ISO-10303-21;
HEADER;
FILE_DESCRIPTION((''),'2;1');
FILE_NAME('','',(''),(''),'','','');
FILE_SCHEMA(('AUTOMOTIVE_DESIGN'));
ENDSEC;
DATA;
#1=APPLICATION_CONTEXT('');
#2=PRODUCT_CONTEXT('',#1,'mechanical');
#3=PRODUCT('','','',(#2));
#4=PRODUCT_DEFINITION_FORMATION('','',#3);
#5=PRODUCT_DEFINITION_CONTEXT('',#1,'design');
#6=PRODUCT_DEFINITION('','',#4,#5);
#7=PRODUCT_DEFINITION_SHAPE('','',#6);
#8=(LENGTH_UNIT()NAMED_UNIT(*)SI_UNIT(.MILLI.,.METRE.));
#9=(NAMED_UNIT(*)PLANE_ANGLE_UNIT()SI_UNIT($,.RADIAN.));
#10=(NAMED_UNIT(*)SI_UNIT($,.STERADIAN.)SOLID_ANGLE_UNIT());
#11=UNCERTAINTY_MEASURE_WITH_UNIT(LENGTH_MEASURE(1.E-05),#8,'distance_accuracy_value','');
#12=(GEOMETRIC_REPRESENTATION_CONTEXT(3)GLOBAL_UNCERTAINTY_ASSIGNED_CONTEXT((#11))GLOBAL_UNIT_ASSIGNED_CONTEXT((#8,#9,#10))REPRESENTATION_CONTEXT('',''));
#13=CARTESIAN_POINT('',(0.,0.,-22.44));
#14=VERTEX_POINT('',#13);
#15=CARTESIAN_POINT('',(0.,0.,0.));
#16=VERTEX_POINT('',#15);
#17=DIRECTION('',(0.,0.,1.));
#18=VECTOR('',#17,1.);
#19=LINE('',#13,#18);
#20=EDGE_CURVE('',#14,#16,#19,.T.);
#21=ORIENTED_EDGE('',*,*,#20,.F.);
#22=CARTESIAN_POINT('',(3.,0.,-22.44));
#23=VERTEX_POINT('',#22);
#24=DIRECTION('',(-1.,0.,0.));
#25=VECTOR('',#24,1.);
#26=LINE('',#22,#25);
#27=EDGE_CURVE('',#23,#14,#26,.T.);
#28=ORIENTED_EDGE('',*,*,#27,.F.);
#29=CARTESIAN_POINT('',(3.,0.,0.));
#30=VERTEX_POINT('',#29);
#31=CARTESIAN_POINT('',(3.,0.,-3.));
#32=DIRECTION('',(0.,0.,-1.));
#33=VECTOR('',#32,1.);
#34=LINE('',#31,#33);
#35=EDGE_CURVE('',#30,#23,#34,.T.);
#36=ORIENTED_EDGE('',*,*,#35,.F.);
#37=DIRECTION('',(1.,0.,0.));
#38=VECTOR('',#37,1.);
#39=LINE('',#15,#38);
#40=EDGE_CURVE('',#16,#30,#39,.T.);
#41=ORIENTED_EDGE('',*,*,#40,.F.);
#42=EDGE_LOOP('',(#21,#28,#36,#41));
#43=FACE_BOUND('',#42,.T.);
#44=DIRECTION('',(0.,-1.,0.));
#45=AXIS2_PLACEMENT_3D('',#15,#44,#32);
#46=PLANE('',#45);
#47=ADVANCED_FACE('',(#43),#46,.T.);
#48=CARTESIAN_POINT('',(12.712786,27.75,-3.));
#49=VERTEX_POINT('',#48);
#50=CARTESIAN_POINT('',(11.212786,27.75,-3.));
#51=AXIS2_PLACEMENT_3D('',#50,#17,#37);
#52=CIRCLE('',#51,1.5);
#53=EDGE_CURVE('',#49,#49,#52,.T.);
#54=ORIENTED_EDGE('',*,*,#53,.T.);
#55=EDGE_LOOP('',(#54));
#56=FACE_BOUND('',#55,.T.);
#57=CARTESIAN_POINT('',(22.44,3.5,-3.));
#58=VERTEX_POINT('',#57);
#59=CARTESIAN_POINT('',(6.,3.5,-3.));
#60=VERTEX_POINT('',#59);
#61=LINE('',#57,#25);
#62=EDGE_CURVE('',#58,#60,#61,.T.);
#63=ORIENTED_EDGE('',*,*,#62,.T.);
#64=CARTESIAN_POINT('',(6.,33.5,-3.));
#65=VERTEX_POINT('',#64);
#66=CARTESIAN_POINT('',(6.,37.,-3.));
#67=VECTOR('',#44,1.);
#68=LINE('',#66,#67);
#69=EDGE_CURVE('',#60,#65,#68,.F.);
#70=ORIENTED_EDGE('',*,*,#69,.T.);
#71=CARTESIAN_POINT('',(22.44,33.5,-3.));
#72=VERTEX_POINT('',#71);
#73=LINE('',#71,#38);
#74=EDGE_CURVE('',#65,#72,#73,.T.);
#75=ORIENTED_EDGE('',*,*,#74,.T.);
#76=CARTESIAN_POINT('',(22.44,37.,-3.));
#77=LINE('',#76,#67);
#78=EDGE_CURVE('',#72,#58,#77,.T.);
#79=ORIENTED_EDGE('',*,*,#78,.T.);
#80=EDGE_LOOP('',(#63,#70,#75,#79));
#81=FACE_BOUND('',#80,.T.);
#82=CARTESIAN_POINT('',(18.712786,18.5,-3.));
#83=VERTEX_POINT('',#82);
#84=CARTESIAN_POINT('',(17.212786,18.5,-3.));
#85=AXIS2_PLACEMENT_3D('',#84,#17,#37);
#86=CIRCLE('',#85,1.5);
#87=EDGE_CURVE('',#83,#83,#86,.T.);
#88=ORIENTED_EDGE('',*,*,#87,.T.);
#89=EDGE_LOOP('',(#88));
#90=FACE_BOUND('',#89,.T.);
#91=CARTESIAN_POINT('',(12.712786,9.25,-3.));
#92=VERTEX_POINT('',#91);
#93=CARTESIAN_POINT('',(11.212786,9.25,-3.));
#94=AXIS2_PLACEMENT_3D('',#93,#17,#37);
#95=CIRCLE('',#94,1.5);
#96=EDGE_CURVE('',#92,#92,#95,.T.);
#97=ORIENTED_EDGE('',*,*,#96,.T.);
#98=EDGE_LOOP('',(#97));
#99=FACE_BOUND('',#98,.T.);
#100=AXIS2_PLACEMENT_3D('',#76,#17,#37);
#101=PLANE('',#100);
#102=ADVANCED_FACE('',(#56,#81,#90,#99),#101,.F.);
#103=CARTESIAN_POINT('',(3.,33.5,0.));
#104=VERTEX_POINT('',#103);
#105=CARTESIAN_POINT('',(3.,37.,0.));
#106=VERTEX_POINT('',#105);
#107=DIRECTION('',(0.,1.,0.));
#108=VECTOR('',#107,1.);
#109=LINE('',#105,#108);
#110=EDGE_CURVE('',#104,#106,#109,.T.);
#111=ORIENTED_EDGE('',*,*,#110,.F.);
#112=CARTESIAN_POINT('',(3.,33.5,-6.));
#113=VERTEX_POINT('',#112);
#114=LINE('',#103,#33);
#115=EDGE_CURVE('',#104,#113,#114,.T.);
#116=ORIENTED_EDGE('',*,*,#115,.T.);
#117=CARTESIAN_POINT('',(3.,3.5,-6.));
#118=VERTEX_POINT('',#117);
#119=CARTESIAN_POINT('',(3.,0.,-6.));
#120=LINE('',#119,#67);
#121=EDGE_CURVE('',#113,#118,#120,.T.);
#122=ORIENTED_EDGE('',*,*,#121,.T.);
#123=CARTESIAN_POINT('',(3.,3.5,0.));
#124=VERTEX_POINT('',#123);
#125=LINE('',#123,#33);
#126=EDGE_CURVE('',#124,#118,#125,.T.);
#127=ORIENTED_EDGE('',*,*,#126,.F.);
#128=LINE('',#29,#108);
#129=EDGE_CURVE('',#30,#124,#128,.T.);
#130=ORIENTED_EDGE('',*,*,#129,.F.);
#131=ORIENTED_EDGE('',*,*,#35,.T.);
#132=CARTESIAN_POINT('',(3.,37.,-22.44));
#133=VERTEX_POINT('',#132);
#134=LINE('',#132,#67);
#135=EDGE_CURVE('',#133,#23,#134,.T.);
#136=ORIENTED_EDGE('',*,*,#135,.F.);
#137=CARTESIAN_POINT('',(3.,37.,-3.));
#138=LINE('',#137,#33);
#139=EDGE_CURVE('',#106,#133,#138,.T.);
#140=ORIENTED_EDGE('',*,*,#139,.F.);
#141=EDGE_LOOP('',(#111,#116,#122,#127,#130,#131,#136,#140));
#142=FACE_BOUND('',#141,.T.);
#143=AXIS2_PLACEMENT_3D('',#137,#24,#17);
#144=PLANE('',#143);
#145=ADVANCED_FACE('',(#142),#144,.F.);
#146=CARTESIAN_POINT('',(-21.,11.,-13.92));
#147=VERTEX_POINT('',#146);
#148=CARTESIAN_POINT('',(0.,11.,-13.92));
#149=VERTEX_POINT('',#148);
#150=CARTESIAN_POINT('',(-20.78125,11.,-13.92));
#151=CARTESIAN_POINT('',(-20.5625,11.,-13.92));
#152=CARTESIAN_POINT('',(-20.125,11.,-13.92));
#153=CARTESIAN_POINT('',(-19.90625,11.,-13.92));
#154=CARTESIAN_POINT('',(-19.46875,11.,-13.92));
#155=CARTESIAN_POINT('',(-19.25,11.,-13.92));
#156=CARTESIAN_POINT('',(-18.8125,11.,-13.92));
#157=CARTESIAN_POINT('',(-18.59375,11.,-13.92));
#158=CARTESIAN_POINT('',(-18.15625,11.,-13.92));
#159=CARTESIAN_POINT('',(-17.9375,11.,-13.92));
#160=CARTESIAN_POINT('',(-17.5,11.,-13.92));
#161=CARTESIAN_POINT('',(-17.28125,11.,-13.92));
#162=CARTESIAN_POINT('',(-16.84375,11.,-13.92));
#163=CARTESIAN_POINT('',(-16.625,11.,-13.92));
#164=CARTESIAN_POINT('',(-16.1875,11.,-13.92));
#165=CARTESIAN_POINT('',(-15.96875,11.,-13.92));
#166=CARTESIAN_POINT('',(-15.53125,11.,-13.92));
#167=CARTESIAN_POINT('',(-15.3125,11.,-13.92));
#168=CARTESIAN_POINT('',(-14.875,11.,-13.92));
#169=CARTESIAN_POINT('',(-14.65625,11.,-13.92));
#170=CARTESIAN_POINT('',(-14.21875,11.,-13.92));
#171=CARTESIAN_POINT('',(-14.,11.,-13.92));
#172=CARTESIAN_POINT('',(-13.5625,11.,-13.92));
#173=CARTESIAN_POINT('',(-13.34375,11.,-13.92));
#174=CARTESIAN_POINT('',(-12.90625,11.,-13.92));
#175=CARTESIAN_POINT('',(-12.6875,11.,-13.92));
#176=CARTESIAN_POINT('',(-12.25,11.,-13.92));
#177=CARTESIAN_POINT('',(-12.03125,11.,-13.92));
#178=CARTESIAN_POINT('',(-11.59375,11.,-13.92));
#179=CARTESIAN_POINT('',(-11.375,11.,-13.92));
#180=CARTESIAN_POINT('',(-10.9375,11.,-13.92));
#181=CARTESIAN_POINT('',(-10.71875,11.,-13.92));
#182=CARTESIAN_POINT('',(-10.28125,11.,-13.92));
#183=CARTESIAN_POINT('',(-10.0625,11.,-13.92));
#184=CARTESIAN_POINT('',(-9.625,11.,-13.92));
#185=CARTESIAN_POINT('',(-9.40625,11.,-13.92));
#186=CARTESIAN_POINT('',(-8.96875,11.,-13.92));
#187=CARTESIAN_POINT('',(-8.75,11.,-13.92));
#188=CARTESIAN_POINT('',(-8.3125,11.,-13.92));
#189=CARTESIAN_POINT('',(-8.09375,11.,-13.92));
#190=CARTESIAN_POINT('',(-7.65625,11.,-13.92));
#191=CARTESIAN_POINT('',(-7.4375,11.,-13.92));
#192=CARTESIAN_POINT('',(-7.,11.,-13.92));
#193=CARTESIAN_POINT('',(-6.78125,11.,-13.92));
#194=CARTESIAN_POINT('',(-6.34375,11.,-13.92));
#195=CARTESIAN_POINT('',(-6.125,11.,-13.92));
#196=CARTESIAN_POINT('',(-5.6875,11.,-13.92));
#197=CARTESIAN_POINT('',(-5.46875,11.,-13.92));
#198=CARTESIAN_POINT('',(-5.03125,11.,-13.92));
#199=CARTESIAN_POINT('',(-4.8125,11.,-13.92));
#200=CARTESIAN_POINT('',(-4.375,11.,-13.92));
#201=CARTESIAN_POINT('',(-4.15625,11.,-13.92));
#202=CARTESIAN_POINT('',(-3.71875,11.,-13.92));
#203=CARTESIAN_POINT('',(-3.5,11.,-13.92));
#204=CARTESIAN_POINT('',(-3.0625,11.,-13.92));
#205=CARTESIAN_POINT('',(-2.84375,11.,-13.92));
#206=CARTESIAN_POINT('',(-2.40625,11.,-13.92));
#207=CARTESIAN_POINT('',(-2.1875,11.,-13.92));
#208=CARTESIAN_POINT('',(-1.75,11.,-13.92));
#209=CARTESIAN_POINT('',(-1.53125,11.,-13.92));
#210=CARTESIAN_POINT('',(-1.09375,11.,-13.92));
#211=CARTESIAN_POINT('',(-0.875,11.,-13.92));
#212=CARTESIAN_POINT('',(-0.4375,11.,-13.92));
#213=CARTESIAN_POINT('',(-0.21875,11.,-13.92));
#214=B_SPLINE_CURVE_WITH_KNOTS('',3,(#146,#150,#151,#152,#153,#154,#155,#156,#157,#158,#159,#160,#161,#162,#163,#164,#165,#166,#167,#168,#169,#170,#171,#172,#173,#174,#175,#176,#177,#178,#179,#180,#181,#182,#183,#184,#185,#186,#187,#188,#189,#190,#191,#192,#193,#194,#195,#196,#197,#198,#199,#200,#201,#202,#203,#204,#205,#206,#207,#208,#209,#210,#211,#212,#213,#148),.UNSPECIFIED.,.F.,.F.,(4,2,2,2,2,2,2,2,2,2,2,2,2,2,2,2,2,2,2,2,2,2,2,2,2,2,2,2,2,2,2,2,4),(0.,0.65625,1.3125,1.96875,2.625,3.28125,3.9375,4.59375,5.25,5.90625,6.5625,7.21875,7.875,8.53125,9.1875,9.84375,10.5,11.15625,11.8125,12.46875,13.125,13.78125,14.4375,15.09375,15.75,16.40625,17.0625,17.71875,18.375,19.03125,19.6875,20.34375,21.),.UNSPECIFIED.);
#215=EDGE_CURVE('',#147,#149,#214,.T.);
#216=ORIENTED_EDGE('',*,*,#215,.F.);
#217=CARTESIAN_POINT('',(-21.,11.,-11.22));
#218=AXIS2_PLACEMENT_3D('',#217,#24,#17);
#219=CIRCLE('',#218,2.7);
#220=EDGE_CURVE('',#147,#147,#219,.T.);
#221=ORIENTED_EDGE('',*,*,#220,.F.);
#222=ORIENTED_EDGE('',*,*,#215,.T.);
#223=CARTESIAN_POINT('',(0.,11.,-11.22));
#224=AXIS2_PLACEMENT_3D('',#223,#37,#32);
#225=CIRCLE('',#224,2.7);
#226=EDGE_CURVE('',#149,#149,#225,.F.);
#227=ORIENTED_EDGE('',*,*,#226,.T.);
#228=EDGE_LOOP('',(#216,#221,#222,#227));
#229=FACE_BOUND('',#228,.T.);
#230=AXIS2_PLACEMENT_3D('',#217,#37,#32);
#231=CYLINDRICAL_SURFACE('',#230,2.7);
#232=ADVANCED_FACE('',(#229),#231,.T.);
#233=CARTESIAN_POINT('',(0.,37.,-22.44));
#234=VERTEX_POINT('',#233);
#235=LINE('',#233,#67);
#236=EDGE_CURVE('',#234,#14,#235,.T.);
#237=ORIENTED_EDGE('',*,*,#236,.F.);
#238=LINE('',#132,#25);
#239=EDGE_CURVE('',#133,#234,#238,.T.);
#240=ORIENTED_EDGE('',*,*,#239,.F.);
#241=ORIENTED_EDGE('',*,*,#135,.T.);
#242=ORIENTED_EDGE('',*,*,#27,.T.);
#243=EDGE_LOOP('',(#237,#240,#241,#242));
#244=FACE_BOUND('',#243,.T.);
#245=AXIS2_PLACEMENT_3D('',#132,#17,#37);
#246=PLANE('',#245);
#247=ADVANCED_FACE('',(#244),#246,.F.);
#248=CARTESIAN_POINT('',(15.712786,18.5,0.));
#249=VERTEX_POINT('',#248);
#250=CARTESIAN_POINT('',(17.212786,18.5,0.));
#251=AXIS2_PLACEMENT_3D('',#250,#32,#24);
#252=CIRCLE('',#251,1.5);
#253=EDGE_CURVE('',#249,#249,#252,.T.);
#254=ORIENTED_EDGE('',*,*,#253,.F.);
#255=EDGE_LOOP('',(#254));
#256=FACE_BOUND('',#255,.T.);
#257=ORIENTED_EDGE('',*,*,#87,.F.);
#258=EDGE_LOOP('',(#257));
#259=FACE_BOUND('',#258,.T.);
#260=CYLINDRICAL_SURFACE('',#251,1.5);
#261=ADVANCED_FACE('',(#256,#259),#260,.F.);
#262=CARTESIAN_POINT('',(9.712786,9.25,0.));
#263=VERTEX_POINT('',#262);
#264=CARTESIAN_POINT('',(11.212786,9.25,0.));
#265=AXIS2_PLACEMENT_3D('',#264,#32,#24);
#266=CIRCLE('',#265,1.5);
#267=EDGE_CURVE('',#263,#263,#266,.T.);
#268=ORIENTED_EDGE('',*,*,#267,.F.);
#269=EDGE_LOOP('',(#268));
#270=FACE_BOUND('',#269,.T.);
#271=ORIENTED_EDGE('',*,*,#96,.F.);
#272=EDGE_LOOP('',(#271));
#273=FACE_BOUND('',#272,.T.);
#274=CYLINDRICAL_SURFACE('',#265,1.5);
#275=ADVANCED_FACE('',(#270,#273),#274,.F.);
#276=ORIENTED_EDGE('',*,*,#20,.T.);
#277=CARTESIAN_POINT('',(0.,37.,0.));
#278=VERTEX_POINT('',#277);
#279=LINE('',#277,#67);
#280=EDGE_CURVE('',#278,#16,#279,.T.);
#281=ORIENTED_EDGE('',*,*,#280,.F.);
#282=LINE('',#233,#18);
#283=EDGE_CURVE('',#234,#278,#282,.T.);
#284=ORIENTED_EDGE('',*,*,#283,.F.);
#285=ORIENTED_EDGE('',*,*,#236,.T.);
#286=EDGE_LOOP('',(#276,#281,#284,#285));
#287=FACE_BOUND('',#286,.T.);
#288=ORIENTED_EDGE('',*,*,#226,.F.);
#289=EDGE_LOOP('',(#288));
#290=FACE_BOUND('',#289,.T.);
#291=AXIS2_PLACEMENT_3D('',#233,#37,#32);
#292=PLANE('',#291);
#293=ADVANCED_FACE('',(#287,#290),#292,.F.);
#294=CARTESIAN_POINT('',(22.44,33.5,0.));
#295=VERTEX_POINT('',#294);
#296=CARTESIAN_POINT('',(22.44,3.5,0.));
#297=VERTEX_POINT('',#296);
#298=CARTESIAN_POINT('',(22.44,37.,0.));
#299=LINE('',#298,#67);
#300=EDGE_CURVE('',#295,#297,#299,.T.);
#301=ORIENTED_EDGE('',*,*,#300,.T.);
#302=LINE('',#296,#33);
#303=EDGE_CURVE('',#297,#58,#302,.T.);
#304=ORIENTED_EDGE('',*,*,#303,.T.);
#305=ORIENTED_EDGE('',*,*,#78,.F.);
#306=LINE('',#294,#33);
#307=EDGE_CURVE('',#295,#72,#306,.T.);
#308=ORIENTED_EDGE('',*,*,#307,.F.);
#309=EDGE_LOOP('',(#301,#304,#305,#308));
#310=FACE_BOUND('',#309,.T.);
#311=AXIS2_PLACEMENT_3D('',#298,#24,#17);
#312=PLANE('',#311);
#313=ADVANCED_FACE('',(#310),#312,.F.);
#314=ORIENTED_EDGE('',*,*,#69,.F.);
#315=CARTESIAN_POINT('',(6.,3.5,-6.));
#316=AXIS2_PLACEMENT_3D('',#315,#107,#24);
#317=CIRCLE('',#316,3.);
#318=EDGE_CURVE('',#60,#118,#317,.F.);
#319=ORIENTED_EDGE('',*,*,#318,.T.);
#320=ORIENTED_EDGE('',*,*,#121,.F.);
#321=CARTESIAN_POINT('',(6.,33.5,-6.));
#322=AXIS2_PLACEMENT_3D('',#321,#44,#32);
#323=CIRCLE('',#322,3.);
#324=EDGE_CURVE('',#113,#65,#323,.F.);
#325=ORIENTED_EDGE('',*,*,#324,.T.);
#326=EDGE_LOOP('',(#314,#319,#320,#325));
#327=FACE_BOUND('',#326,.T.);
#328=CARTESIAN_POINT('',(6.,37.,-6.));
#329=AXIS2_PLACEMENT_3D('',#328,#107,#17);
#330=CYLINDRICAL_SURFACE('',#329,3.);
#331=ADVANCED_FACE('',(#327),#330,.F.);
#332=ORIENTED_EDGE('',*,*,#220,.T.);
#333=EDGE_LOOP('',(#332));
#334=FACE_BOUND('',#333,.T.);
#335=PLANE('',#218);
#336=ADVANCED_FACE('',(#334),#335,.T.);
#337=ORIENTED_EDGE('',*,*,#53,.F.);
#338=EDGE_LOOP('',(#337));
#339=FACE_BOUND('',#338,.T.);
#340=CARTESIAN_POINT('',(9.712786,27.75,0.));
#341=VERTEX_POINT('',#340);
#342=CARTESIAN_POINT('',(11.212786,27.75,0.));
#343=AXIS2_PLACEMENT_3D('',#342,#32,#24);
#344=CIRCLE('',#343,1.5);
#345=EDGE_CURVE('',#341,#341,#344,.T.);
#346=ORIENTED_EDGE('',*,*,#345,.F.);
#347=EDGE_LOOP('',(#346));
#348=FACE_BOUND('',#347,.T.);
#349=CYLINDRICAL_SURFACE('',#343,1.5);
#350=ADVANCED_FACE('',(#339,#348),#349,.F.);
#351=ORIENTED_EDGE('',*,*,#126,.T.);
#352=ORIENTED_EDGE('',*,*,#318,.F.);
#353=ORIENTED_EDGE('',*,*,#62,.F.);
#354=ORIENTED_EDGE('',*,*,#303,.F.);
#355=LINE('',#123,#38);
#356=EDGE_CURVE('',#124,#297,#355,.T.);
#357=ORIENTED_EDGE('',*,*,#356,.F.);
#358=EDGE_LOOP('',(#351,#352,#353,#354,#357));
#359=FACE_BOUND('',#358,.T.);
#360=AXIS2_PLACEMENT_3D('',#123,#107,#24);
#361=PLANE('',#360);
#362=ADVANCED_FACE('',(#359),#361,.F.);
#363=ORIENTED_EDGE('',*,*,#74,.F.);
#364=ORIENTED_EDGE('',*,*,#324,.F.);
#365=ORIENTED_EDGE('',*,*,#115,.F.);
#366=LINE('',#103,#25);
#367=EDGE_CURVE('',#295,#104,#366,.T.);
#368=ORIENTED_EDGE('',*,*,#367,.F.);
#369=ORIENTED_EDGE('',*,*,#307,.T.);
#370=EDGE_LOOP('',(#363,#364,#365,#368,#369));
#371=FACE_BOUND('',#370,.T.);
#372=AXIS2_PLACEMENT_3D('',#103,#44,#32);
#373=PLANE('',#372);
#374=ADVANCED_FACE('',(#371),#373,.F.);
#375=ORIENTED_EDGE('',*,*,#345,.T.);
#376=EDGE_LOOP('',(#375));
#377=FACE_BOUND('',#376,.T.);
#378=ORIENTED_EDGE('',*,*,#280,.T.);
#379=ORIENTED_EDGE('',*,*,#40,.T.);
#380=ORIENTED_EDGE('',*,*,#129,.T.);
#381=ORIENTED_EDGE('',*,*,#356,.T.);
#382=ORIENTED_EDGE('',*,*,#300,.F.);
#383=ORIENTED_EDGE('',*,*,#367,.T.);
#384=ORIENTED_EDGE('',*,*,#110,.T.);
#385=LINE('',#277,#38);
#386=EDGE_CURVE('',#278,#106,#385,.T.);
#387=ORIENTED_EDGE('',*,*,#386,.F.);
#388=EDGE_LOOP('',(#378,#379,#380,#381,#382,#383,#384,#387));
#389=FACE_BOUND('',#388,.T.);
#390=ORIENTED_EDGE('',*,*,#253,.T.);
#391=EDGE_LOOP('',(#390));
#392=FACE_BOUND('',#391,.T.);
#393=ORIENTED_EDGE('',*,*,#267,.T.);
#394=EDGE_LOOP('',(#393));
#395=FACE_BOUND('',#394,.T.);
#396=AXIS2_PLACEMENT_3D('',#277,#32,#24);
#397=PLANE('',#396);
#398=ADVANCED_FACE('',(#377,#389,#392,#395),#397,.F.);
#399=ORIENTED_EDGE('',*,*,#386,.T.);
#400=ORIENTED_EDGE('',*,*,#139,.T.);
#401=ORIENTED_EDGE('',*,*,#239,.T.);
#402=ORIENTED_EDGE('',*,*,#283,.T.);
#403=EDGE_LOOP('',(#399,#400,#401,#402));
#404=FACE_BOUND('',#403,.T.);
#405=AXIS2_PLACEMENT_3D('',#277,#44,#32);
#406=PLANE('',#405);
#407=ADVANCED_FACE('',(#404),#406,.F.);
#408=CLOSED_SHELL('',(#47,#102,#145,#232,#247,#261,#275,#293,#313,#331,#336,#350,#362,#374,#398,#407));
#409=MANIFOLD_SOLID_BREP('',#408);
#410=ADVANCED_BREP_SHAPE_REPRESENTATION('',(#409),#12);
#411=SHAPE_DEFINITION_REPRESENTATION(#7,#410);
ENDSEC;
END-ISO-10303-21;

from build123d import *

# Parameters (mm, degrees)
BOSS_EXTRUDE1_DEPTH = 37
FILLET1_R           = 3
SKETCH2_R           = 1.5
SKETCH2_W           = 19.44
SKETCH2_H           = 3.5
CUT_EXTRUDE1_DEPTH  = 49.745330033
SKETCH3_R           = 2.7
BOSS_EXTRUDE2_DEPTH = 21


with BuildPart() as part:
    # Sketch1 → Boss-Extrude1 (new body)
    with BuildSketch(Plane(origin=(0, 0, 0), x_dir=(1, 0, 0), z_dir=(0, 1, 0))):
        Polygon((0, 0), (22.44, 0), (22.44, 3), (3, 3), (3, 22.44), (0, 22.44), align=None)
    extrude(amount=BOSS_EXTRUDE1_DEPTH)

    # Fillet1
    fillet1_edges = [part.edges().sort_by_distance(p)[0] for p in [
        (3, 18.5, -3),
    ]]
    fillet(fillet1_edges, radius=FILLET1_R)

    # Sketch2 → Cut-Extrude1 (cut, through all)
    with BuildSketch(Plane(origin=(0, 0, -22.44), x_dir=(-1, 0, 0), z_dir=(0, 0, -1))):
        with Locations((-11.212785563, 27.75)):
            Circle(SKETCH2_R)
        with Locations((-17.212785563, 18.5)):
            Circle(SKETCH2_R)
        with Locations((-11.212785563, 9.25)):
            Circle(SKETCH2_R)
        with Locations((-12.72, 1.75)):
            Rectangle(SKETCH2_W, SKETCH2_H)
        with Locations((-12.72, 35.25)):
            Rectangle(SKETCH2_W, SKETCH2_H)
    extrude(amount=-CUT_EXTRUDE1_DEPTH, mode=Mode.SUBTRACT)

    # Sketch3 → Boss-Extrude2 (add)
    with BuildSketch(Plane.ZY):
        with Locations(Location((-11.22, 11, 0), (0, 0, 180))):
            Circle(SKETCH3_R)
    extrude(amount=BOSS_EXTRUDE2_DEPTH)


solid = part.part
